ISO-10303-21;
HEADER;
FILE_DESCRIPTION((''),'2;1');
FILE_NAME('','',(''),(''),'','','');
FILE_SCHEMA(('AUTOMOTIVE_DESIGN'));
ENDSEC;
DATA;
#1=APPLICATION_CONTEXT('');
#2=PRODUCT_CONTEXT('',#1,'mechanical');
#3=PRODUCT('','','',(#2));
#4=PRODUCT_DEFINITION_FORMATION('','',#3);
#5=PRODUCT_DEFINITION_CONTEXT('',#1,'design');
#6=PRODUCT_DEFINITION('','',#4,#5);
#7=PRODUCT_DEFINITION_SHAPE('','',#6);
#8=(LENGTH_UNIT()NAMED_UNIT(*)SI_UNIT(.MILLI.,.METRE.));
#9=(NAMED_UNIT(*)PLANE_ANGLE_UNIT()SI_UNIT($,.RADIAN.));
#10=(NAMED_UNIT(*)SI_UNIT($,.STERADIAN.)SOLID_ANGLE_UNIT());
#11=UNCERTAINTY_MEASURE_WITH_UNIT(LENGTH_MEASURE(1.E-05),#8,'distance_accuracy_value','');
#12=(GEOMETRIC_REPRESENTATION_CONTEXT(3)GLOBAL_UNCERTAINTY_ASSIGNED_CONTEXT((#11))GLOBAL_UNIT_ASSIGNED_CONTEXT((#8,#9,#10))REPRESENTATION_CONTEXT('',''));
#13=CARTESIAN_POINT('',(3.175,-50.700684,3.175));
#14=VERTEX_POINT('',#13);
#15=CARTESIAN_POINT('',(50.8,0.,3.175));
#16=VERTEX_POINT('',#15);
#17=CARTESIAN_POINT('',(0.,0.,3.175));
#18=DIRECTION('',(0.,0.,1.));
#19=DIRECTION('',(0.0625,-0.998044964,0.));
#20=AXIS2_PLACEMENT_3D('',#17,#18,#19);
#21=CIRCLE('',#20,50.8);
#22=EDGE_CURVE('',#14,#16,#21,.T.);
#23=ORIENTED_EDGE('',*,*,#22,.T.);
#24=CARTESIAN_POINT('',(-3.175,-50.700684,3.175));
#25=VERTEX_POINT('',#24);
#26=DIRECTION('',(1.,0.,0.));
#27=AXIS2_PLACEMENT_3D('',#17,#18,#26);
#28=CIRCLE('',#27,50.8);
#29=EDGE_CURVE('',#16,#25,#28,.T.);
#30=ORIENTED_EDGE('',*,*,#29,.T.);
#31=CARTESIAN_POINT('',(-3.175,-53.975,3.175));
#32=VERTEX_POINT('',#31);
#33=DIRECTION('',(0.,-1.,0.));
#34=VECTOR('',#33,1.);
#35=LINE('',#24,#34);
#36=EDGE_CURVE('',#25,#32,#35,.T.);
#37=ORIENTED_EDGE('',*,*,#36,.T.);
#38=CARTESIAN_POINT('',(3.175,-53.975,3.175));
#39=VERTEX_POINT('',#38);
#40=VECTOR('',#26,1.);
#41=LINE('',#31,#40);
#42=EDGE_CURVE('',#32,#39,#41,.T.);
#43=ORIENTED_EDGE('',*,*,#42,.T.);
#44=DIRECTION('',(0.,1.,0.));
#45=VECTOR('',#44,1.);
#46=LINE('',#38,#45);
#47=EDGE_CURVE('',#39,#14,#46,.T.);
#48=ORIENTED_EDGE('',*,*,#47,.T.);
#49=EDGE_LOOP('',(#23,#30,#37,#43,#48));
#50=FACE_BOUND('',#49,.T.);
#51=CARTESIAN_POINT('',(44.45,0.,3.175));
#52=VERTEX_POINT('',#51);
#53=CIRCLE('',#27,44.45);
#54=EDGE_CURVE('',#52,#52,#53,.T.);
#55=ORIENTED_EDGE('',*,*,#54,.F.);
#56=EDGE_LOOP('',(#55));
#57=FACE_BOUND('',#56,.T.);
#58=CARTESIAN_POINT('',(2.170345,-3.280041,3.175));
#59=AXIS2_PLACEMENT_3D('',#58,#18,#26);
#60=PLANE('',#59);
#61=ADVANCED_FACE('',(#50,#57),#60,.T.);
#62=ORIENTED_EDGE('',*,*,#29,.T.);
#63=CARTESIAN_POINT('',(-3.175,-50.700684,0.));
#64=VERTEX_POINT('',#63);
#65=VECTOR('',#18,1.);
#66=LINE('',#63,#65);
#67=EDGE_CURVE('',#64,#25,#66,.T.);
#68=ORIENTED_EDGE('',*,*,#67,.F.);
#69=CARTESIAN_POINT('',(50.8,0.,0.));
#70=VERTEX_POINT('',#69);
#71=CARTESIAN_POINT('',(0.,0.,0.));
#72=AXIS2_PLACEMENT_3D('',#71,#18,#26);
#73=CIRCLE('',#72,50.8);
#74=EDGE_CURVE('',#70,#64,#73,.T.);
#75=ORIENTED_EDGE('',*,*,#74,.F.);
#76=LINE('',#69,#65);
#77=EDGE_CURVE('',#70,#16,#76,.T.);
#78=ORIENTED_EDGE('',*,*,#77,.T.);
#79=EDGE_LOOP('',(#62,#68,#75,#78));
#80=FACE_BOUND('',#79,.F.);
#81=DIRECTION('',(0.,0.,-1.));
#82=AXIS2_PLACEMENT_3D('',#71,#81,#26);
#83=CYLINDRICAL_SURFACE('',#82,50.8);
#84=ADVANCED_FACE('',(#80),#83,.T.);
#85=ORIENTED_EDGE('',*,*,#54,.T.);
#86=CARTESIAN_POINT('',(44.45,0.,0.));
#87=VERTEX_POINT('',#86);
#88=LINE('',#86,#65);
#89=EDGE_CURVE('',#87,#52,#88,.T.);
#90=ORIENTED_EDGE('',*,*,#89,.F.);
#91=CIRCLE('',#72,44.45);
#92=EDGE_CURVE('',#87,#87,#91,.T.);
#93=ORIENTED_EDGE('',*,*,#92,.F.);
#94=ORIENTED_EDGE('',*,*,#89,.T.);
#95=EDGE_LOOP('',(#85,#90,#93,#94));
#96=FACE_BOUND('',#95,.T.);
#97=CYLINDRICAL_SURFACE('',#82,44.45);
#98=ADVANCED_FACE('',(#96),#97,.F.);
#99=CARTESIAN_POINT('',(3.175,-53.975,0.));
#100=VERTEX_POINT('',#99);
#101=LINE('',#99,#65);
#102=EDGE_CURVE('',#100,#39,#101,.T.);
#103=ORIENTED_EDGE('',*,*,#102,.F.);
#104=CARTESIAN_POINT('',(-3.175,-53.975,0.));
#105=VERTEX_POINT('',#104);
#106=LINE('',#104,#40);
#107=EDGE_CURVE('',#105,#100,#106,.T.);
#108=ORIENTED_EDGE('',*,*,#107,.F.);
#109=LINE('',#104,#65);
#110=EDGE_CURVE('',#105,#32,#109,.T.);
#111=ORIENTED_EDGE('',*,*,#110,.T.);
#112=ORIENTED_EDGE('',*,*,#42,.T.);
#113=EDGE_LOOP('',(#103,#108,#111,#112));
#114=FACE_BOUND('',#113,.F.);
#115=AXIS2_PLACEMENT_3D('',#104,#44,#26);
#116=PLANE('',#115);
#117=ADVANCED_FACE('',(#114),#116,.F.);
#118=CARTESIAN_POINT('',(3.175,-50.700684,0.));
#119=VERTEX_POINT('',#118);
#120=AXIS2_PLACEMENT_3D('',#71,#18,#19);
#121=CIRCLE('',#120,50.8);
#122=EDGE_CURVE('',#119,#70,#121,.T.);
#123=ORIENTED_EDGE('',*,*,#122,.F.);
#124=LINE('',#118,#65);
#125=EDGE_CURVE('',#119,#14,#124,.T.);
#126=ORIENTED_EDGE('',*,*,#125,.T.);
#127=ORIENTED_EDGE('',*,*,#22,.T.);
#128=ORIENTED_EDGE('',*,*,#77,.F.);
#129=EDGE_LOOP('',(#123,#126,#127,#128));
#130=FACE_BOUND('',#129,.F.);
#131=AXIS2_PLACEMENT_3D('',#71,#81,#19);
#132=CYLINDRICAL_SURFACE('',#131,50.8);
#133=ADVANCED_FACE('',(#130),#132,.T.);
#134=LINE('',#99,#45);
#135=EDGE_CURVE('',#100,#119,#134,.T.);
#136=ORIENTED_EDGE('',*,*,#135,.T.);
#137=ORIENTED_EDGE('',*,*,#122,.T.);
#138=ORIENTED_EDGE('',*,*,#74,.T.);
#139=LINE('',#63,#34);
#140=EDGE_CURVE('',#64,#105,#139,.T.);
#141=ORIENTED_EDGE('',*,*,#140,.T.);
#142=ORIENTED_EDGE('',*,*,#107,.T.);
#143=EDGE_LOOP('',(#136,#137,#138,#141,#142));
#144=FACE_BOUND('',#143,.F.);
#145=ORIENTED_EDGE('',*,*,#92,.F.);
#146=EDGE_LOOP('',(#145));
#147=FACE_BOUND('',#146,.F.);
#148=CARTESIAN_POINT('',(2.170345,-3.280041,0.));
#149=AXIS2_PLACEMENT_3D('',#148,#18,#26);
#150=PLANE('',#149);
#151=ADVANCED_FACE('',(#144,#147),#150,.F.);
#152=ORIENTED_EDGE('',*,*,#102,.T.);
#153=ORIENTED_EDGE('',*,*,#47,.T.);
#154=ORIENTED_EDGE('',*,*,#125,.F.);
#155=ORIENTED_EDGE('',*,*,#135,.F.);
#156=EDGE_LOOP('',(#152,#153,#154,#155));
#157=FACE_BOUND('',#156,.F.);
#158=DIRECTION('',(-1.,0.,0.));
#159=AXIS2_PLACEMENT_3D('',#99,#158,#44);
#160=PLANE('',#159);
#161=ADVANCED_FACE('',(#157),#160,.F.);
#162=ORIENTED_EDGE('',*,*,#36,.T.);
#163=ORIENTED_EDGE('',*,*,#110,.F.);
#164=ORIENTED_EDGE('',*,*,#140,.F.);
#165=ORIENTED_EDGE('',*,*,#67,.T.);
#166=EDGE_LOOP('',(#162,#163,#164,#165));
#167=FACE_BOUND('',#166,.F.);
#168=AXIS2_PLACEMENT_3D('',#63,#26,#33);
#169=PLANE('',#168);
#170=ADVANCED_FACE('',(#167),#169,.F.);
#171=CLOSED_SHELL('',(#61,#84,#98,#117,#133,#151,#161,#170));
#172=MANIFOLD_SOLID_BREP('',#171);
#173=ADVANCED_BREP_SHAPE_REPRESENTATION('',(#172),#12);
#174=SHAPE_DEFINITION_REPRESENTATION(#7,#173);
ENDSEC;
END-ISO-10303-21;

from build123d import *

# Parameters (mm, degrees)
F0_R     = 44.45
F1_DEPTH = 3.175


with BuildPart() as f1:
    # F0 (on Top) → F1 (new body)
    with BuildSketch(Plane.XY):
        with BuildLine():
            ThreePointArc((3.175, -50.700684167), (37.0265445323, -34.7803824016), (50.8, 0))
            ThreePointArc((50.8, 0), (-34.7803824016, 37.0265445323), (-3.175, -50.700684167))
            Line((-3.175, -50.700684167), (-3.175, -47.625))
            Line((-3.175, -47.625), (3.175, -47.625))
            Line((3.175, -47.625), (3.175, -50.700684167))
        make_face()
        Circle(F0_R, mode=Mode.SUBTRACT)
        with BuildLine():
            Line((-3.175, -47.625), (-3.175, -50.700684167))
            ThreePointArc((-3.175, -50.700684167), (0, -50.8), (3.175, -50.700684167))
            Line((3.175, -50.700684167), (3.175, -47.625))
            Line((3.175, -47.625), (-3.175, -47.625))
        make_face()
        with BuildLine():
            ThreePointArc((3.175, -50.700684167), (0, -50.8), (-3.175, -50.700684167))
            Line((-3.175, -50.700684167), (-3.175, -53.975))
            Line((-3.175, -53.975), (3.175, -53.975))
            Line((3.175, -53.975), (3.175, -50.700684167))
        make_face()
    extrude(amount=F1_DEPTH)


solid = f1.part
